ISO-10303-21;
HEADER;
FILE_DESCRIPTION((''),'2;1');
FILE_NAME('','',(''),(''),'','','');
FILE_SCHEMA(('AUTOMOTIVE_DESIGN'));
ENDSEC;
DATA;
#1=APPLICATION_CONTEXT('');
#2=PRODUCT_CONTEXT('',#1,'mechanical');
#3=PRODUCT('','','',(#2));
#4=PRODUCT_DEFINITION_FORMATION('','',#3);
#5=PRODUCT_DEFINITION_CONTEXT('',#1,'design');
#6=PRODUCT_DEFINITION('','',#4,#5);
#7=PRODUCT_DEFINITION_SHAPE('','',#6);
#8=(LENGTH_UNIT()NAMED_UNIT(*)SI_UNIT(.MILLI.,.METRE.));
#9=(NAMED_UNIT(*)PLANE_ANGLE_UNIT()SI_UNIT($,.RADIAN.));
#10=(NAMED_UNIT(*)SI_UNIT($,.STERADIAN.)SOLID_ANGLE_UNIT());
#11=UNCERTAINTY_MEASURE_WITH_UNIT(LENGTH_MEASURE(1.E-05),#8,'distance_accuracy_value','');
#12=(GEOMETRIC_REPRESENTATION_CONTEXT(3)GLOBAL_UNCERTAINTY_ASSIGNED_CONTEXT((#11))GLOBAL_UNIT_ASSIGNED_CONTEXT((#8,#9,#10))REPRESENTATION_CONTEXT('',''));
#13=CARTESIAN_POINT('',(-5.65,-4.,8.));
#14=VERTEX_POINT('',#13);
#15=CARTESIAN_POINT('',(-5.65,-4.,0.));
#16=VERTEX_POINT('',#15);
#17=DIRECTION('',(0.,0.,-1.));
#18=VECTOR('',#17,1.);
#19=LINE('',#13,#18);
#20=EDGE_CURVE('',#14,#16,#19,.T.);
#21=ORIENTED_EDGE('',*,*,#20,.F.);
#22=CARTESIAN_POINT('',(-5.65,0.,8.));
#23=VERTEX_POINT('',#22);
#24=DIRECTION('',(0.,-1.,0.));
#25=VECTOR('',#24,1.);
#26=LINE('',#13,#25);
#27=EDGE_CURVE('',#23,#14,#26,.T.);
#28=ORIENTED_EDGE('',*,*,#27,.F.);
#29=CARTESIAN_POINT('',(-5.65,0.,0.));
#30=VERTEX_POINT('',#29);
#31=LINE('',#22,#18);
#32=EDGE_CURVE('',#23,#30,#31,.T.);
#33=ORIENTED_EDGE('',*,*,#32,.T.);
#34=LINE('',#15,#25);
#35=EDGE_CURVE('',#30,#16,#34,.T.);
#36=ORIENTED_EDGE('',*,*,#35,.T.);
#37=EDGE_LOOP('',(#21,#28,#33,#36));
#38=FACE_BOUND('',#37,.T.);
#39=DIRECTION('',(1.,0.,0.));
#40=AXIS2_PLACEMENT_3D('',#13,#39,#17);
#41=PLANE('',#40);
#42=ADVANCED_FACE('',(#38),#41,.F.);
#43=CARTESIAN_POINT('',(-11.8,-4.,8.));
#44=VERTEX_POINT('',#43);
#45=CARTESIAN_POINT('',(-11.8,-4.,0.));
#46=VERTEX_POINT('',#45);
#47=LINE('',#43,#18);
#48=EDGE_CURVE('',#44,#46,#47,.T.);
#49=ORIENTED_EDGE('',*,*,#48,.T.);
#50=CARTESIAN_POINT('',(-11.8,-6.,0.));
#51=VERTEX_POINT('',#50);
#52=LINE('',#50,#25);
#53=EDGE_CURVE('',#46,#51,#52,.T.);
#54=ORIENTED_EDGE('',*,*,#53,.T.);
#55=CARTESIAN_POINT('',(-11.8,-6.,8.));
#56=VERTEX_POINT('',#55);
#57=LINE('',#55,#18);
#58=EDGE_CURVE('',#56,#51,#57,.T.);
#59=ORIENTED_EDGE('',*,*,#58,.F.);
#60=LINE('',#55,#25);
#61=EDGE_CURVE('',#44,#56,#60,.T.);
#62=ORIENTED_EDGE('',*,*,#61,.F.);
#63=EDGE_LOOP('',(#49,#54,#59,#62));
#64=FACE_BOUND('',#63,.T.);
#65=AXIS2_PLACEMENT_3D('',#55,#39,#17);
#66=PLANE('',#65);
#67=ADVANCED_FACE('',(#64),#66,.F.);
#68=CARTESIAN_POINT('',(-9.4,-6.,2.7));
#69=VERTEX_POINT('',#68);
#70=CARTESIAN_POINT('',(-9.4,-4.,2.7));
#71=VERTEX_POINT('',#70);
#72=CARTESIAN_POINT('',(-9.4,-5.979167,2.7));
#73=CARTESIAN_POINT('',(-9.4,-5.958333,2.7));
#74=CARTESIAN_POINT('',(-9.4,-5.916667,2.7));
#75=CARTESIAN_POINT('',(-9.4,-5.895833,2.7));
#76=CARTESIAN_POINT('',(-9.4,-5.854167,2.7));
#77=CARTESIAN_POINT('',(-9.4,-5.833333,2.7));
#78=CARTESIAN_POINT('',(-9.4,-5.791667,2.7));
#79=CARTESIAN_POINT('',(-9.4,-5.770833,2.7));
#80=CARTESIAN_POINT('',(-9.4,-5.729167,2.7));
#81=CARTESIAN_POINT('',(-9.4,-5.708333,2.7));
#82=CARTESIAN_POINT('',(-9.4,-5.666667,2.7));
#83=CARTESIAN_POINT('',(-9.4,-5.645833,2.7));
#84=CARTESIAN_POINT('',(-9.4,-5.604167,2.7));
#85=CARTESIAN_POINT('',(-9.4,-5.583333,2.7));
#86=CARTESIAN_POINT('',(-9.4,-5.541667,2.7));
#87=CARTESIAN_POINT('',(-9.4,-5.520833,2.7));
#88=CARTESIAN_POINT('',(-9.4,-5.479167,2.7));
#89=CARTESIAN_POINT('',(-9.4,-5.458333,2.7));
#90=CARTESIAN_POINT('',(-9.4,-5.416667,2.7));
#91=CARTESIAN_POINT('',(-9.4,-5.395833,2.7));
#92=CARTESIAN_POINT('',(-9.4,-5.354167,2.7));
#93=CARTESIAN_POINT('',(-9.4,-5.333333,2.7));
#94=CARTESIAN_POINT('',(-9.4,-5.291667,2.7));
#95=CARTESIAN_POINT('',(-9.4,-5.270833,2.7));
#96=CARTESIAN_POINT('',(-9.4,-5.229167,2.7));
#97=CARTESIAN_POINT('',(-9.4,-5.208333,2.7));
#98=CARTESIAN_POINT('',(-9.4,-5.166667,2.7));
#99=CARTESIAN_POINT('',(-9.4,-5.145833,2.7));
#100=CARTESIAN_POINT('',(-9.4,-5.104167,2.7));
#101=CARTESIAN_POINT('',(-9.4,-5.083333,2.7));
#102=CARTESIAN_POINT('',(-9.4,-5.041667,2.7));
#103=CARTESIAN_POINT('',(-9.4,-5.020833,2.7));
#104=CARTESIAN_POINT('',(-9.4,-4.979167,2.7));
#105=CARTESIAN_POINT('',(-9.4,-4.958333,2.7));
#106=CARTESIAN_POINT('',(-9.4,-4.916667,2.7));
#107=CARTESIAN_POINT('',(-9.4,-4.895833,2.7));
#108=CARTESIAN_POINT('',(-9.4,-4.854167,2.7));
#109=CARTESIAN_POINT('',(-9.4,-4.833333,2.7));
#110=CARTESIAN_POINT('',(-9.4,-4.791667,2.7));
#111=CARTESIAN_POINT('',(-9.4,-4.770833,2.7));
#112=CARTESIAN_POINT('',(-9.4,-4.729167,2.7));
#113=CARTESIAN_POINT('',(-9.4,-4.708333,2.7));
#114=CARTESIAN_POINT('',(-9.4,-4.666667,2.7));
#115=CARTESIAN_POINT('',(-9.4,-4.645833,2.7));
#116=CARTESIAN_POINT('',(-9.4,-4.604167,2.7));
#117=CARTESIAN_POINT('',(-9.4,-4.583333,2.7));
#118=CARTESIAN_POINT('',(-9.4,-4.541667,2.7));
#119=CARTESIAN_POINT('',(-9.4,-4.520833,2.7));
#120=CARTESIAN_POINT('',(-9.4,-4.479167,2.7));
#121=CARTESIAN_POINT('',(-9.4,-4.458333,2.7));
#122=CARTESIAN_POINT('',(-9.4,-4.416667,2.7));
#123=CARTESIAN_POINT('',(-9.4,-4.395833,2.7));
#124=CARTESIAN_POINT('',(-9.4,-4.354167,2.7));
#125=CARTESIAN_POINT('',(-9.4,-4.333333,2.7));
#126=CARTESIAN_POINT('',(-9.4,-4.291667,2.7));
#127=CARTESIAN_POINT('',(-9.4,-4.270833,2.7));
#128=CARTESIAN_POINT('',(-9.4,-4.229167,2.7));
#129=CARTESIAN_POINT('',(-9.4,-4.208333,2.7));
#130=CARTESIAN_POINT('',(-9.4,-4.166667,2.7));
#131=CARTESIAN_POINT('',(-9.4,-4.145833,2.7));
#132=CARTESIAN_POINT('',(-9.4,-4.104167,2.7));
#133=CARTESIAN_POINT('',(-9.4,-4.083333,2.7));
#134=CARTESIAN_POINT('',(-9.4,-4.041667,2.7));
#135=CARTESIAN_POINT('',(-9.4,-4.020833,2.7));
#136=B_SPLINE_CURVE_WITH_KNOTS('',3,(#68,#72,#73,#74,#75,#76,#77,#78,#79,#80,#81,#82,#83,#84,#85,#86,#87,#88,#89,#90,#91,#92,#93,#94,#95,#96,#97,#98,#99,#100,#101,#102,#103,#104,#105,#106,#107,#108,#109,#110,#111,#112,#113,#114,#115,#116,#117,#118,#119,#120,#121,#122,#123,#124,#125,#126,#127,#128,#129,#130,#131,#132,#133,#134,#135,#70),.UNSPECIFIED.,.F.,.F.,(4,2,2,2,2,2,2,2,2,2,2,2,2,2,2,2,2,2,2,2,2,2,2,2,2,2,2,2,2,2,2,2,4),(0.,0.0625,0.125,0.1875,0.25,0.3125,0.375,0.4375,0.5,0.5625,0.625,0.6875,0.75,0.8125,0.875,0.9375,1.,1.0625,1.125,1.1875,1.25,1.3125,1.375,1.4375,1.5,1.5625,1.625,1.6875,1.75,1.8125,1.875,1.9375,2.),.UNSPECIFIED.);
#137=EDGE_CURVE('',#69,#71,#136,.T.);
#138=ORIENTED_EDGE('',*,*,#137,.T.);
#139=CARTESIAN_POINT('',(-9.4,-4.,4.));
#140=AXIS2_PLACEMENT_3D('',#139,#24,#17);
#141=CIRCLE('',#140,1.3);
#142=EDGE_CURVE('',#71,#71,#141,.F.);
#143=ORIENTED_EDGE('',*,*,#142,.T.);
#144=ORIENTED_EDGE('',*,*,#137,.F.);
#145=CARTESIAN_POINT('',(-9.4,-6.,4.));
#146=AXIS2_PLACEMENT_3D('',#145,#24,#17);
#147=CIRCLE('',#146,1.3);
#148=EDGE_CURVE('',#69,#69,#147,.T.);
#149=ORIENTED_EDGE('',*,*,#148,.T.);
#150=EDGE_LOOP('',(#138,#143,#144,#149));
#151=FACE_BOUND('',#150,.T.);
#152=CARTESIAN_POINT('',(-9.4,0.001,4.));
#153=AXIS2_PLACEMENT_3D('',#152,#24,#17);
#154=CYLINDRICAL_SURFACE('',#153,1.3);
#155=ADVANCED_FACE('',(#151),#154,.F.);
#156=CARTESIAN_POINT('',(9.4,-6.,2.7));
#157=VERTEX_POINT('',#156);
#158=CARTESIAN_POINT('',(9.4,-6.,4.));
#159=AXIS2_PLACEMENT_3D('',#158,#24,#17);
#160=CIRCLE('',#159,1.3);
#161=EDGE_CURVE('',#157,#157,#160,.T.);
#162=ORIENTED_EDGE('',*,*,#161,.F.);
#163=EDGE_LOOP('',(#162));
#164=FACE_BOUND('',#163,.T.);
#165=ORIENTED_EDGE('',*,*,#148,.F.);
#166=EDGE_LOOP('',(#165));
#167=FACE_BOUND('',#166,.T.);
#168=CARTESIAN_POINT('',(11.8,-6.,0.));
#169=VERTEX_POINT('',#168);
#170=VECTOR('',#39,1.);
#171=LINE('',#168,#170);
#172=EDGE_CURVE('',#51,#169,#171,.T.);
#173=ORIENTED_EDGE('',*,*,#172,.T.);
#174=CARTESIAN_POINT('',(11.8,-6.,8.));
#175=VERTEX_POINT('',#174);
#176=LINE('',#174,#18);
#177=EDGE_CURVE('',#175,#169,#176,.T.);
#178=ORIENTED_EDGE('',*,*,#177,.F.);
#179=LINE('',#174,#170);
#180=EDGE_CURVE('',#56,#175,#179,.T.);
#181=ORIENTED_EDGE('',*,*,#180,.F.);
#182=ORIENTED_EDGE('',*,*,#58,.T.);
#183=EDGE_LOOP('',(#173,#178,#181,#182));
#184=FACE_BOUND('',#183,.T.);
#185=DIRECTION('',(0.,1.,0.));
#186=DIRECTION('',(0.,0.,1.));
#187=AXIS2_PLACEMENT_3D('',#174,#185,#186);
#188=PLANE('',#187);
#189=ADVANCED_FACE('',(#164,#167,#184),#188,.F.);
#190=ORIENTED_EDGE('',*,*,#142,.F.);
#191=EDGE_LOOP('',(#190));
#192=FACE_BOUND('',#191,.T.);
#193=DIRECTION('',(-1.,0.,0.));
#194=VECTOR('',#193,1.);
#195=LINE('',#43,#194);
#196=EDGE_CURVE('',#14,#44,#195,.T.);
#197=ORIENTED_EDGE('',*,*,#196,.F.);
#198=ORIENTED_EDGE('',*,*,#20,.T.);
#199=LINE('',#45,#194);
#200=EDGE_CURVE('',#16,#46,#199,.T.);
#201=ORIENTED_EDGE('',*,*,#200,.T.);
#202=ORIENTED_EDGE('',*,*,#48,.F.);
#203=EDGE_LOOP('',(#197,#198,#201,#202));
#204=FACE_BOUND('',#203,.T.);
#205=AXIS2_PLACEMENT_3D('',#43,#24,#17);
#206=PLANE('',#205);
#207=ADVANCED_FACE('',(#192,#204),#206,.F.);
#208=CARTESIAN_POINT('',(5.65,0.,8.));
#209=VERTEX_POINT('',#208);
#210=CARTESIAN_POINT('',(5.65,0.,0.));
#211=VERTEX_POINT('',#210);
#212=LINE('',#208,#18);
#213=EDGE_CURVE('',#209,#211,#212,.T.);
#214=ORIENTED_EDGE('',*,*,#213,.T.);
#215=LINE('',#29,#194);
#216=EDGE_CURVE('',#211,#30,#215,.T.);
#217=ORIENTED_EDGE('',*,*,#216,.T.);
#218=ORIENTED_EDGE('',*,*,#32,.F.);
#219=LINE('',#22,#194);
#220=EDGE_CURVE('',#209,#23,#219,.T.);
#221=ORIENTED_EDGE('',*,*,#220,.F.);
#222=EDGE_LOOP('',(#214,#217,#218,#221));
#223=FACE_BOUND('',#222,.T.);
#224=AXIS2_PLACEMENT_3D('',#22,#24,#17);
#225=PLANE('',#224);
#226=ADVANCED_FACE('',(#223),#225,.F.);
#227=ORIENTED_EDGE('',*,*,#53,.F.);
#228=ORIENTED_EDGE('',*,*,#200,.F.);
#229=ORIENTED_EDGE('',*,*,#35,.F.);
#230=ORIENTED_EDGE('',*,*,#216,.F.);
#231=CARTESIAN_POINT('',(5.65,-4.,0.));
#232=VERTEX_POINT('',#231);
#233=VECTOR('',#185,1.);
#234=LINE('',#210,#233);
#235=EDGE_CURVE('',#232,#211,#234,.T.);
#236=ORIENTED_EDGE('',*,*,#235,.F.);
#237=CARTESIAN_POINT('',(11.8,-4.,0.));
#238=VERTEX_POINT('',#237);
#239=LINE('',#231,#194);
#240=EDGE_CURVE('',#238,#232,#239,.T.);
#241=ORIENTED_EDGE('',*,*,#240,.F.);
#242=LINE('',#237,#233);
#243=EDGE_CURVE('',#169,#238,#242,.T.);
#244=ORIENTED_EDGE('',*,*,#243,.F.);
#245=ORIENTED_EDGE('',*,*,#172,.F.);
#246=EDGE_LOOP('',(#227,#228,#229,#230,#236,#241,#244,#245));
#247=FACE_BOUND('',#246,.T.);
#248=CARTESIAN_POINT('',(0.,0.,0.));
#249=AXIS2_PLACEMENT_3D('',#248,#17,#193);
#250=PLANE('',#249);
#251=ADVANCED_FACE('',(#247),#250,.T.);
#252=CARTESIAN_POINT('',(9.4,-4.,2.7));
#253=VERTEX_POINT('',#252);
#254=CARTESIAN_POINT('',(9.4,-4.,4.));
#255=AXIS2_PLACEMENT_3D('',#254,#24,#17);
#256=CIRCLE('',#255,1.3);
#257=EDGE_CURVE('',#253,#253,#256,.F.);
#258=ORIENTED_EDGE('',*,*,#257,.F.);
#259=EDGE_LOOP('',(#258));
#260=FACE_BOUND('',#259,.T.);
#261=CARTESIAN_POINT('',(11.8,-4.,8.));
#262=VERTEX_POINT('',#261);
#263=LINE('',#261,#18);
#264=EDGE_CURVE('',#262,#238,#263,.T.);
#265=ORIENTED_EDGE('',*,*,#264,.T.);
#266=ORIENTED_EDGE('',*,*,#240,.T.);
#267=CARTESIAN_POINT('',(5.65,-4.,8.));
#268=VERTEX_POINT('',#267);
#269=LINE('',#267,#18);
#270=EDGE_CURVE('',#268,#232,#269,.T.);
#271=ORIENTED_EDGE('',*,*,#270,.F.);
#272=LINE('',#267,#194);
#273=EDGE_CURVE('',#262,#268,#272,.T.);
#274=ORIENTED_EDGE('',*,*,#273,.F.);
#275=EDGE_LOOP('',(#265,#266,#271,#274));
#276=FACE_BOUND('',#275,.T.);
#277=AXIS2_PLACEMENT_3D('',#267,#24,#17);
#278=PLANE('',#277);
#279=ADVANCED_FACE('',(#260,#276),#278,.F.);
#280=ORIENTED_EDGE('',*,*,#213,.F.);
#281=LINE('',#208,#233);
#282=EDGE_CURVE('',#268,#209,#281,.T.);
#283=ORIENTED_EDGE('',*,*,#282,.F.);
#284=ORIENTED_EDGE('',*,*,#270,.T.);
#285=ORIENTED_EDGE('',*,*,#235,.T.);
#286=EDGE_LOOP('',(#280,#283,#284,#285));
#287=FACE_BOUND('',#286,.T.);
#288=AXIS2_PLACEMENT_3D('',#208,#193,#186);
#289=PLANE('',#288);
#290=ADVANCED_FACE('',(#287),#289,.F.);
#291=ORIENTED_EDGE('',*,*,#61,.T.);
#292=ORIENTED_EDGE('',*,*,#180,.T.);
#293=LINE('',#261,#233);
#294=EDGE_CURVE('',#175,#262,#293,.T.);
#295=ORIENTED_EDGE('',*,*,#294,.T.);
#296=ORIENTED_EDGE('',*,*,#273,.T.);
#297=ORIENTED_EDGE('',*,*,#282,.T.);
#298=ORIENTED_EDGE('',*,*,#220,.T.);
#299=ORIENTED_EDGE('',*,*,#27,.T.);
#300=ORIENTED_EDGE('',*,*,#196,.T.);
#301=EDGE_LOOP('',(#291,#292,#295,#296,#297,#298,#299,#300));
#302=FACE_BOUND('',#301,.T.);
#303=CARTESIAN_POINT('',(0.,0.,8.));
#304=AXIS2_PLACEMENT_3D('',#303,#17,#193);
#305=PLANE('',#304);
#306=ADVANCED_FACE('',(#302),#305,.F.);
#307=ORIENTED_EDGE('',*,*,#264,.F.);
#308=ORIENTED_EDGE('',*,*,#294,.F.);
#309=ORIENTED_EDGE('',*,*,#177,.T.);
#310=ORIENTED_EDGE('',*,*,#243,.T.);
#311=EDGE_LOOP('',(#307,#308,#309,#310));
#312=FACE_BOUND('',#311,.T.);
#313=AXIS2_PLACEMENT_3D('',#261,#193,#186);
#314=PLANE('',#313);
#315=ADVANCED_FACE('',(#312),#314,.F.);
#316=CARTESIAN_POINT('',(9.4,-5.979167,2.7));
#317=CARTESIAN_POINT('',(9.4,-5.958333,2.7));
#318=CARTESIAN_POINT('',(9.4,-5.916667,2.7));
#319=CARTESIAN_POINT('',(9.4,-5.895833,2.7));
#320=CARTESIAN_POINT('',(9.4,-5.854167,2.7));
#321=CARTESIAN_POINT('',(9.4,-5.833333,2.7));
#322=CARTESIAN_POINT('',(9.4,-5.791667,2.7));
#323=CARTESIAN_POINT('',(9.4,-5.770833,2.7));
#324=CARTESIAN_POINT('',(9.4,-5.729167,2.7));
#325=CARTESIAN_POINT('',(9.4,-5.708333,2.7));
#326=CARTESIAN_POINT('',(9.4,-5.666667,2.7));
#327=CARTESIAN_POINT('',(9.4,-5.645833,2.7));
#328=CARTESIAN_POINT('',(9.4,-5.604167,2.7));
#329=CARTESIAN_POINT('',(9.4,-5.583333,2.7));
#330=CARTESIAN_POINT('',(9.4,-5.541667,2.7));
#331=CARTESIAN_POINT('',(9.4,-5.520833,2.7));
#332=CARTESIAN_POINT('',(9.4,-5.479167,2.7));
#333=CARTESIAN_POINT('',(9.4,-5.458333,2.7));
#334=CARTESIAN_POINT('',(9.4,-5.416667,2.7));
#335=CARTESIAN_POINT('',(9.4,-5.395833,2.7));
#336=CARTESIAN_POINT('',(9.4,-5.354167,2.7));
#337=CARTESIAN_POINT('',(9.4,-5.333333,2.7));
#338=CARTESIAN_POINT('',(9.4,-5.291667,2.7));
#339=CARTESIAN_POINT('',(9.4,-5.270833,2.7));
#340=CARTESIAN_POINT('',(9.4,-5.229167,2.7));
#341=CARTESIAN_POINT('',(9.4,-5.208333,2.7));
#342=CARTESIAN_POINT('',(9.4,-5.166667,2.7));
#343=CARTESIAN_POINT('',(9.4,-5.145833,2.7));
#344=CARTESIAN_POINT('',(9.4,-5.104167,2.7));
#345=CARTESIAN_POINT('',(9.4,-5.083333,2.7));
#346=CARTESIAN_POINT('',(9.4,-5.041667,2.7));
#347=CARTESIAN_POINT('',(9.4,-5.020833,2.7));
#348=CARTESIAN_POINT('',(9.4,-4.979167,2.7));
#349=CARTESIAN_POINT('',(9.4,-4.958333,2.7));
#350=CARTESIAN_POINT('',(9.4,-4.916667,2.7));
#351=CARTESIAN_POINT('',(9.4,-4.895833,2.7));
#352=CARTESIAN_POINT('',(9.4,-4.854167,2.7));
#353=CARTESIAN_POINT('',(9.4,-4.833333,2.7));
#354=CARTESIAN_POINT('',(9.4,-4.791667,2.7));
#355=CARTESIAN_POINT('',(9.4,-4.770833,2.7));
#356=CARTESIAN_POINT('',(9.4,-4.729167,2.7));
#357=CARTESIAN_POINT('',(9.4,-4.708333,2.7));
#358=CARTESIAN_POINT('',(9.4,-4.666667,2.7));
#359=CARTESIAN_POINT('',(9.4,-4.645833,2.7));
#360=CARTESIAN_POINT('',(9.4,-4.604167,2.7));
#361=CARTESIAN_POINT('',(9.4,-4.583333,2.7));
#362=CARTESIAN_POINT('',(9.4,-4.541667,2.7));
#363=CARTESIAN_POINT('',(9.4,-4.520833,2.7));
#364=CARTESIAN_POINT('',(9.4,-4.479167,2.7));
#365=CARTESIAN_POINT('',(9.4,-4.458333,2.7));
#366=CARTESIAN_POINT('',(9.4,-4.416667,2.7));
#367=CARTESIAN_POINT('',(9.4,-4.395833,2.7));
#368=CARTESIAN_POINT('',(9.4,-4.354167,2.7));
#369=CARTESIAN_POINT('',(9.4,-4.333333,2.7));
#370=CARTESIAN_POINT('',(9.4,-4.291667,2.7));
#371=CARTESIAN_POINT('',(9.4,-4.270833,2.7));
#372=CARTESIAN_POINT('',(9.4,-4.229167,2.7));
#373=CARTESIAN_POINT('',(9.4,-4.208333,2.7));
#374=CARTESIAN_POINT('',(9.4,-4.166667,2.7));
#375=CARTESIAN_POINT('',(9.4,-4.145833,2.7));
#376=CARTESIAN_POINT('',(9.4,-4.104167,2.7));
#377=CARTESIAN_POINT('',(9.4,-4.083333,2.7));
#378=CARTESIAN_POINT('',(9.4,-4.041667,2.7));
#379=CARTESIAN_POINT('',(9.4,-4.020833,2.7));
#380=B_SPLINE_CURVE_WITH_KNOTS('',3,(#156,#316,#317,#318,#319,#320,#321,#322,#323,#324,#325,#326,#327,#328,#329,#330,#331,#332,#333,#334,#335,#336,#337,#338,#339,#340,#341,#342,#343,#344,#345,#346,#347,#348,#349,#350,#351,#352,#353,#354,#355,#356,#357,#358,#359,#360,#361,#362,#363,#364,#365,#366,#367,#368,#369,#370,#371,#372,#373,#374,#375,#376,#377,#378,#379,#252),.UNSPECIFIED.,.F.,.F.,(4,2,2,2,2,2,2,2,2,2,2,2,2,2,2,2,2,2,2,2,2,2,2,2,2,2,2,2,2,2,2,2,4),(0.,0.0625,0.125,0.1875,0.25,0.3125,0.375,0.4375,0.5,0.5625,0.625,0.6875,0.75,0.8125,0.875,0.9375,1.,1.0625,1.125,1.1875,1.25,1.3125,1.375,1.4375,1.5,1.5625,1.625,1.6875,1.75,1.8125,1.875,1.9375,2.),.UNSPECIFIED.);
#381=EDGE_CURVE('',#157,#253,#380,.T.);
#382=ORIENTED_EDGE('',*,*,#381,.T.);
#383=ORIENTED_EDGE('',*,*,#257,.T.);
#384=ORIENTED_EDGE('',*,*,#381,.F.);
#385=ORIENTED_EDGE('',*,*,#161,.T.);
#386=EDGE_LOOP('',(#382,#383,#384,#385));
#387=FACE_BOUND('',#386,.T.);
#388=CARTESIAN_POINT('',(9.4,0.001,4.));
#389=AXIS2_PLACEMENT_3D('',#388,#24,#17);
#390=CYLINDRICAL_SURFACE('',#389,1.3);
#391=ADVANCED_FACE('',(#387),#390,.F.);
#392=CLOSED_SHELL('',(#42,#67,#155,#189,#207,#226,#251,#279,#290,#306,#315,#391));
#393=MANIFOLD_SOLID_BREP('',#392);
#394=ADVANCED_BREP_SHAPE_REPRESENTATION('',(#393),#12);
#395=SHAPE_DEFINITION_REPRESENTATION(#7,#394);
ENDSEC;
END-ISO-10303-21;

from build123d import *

# Parameters (mm, degrees)
EXTRUDE_1_DEPTH     = 8
CUT_EXTRUDE_1_REACH = 17.467
SKETCH_2_R          = 1.3


with BuildPart() as part:
    # Эскиз1 → Бобышка-Вытянуть1 (new body)
    with BuildSketch(Plane.XY):
        Polygon((-5.65, 0), (5.65, 0), (5.65, -4), (11.8, -4), (11.8, -6), (-11.8, -6), (-11.8, -4), (-5.65, -4), align=None)
    extrude(amount=EXTRUDE_1_DEPTH)

    # Эскиз2 → Вырез-Вытянуть1 (cut, up to next)
    with BuildSketch(Plane.XZ.offset(6), mode=Mode.PRIVATE) as cut_extrude_1_sk1:
        with Locations(Location((-9.4, 4, 0), (0, 0, 270))):
            Circle(SKETCH_2_R)
    cut_extrude_1_tool1 = extrude(cut_extrude_1_sk1.sketch, amount=-CUT_EXTRUDE_1_REACH, mode=Mode.PRIVATE) & part.part
    # Эскиз2 → Вырез-Вытянуть1 (cut, up to next)
    with BuildSketch(Plane.XZ.offset(6), mode=Mode.PRIVATE) as cut_extrude_1_sk2:
        with Locations(Location((9.4, 4, 0), (0, 0, 270))):
            Circle(SKETCH_2_R)
    cut_extrude_1_tool2 = extrude(cut_extrude_1_sk2.sketch, amount=-CUT_EXTRUDE_1_REACH, mode=Mode.PRIVATE) & part.part
    add(cut_extrude_1_tool1.solids().sort_by_distance((-9.4, -6, 4))[0], mode=Mode.SUBTRACT)
    add(cut_extrude_1_tool2.solids().sort_by_distance((9.4, -6, 4))[0], mode=Mode.SUBTRACT)


solid = part.part
